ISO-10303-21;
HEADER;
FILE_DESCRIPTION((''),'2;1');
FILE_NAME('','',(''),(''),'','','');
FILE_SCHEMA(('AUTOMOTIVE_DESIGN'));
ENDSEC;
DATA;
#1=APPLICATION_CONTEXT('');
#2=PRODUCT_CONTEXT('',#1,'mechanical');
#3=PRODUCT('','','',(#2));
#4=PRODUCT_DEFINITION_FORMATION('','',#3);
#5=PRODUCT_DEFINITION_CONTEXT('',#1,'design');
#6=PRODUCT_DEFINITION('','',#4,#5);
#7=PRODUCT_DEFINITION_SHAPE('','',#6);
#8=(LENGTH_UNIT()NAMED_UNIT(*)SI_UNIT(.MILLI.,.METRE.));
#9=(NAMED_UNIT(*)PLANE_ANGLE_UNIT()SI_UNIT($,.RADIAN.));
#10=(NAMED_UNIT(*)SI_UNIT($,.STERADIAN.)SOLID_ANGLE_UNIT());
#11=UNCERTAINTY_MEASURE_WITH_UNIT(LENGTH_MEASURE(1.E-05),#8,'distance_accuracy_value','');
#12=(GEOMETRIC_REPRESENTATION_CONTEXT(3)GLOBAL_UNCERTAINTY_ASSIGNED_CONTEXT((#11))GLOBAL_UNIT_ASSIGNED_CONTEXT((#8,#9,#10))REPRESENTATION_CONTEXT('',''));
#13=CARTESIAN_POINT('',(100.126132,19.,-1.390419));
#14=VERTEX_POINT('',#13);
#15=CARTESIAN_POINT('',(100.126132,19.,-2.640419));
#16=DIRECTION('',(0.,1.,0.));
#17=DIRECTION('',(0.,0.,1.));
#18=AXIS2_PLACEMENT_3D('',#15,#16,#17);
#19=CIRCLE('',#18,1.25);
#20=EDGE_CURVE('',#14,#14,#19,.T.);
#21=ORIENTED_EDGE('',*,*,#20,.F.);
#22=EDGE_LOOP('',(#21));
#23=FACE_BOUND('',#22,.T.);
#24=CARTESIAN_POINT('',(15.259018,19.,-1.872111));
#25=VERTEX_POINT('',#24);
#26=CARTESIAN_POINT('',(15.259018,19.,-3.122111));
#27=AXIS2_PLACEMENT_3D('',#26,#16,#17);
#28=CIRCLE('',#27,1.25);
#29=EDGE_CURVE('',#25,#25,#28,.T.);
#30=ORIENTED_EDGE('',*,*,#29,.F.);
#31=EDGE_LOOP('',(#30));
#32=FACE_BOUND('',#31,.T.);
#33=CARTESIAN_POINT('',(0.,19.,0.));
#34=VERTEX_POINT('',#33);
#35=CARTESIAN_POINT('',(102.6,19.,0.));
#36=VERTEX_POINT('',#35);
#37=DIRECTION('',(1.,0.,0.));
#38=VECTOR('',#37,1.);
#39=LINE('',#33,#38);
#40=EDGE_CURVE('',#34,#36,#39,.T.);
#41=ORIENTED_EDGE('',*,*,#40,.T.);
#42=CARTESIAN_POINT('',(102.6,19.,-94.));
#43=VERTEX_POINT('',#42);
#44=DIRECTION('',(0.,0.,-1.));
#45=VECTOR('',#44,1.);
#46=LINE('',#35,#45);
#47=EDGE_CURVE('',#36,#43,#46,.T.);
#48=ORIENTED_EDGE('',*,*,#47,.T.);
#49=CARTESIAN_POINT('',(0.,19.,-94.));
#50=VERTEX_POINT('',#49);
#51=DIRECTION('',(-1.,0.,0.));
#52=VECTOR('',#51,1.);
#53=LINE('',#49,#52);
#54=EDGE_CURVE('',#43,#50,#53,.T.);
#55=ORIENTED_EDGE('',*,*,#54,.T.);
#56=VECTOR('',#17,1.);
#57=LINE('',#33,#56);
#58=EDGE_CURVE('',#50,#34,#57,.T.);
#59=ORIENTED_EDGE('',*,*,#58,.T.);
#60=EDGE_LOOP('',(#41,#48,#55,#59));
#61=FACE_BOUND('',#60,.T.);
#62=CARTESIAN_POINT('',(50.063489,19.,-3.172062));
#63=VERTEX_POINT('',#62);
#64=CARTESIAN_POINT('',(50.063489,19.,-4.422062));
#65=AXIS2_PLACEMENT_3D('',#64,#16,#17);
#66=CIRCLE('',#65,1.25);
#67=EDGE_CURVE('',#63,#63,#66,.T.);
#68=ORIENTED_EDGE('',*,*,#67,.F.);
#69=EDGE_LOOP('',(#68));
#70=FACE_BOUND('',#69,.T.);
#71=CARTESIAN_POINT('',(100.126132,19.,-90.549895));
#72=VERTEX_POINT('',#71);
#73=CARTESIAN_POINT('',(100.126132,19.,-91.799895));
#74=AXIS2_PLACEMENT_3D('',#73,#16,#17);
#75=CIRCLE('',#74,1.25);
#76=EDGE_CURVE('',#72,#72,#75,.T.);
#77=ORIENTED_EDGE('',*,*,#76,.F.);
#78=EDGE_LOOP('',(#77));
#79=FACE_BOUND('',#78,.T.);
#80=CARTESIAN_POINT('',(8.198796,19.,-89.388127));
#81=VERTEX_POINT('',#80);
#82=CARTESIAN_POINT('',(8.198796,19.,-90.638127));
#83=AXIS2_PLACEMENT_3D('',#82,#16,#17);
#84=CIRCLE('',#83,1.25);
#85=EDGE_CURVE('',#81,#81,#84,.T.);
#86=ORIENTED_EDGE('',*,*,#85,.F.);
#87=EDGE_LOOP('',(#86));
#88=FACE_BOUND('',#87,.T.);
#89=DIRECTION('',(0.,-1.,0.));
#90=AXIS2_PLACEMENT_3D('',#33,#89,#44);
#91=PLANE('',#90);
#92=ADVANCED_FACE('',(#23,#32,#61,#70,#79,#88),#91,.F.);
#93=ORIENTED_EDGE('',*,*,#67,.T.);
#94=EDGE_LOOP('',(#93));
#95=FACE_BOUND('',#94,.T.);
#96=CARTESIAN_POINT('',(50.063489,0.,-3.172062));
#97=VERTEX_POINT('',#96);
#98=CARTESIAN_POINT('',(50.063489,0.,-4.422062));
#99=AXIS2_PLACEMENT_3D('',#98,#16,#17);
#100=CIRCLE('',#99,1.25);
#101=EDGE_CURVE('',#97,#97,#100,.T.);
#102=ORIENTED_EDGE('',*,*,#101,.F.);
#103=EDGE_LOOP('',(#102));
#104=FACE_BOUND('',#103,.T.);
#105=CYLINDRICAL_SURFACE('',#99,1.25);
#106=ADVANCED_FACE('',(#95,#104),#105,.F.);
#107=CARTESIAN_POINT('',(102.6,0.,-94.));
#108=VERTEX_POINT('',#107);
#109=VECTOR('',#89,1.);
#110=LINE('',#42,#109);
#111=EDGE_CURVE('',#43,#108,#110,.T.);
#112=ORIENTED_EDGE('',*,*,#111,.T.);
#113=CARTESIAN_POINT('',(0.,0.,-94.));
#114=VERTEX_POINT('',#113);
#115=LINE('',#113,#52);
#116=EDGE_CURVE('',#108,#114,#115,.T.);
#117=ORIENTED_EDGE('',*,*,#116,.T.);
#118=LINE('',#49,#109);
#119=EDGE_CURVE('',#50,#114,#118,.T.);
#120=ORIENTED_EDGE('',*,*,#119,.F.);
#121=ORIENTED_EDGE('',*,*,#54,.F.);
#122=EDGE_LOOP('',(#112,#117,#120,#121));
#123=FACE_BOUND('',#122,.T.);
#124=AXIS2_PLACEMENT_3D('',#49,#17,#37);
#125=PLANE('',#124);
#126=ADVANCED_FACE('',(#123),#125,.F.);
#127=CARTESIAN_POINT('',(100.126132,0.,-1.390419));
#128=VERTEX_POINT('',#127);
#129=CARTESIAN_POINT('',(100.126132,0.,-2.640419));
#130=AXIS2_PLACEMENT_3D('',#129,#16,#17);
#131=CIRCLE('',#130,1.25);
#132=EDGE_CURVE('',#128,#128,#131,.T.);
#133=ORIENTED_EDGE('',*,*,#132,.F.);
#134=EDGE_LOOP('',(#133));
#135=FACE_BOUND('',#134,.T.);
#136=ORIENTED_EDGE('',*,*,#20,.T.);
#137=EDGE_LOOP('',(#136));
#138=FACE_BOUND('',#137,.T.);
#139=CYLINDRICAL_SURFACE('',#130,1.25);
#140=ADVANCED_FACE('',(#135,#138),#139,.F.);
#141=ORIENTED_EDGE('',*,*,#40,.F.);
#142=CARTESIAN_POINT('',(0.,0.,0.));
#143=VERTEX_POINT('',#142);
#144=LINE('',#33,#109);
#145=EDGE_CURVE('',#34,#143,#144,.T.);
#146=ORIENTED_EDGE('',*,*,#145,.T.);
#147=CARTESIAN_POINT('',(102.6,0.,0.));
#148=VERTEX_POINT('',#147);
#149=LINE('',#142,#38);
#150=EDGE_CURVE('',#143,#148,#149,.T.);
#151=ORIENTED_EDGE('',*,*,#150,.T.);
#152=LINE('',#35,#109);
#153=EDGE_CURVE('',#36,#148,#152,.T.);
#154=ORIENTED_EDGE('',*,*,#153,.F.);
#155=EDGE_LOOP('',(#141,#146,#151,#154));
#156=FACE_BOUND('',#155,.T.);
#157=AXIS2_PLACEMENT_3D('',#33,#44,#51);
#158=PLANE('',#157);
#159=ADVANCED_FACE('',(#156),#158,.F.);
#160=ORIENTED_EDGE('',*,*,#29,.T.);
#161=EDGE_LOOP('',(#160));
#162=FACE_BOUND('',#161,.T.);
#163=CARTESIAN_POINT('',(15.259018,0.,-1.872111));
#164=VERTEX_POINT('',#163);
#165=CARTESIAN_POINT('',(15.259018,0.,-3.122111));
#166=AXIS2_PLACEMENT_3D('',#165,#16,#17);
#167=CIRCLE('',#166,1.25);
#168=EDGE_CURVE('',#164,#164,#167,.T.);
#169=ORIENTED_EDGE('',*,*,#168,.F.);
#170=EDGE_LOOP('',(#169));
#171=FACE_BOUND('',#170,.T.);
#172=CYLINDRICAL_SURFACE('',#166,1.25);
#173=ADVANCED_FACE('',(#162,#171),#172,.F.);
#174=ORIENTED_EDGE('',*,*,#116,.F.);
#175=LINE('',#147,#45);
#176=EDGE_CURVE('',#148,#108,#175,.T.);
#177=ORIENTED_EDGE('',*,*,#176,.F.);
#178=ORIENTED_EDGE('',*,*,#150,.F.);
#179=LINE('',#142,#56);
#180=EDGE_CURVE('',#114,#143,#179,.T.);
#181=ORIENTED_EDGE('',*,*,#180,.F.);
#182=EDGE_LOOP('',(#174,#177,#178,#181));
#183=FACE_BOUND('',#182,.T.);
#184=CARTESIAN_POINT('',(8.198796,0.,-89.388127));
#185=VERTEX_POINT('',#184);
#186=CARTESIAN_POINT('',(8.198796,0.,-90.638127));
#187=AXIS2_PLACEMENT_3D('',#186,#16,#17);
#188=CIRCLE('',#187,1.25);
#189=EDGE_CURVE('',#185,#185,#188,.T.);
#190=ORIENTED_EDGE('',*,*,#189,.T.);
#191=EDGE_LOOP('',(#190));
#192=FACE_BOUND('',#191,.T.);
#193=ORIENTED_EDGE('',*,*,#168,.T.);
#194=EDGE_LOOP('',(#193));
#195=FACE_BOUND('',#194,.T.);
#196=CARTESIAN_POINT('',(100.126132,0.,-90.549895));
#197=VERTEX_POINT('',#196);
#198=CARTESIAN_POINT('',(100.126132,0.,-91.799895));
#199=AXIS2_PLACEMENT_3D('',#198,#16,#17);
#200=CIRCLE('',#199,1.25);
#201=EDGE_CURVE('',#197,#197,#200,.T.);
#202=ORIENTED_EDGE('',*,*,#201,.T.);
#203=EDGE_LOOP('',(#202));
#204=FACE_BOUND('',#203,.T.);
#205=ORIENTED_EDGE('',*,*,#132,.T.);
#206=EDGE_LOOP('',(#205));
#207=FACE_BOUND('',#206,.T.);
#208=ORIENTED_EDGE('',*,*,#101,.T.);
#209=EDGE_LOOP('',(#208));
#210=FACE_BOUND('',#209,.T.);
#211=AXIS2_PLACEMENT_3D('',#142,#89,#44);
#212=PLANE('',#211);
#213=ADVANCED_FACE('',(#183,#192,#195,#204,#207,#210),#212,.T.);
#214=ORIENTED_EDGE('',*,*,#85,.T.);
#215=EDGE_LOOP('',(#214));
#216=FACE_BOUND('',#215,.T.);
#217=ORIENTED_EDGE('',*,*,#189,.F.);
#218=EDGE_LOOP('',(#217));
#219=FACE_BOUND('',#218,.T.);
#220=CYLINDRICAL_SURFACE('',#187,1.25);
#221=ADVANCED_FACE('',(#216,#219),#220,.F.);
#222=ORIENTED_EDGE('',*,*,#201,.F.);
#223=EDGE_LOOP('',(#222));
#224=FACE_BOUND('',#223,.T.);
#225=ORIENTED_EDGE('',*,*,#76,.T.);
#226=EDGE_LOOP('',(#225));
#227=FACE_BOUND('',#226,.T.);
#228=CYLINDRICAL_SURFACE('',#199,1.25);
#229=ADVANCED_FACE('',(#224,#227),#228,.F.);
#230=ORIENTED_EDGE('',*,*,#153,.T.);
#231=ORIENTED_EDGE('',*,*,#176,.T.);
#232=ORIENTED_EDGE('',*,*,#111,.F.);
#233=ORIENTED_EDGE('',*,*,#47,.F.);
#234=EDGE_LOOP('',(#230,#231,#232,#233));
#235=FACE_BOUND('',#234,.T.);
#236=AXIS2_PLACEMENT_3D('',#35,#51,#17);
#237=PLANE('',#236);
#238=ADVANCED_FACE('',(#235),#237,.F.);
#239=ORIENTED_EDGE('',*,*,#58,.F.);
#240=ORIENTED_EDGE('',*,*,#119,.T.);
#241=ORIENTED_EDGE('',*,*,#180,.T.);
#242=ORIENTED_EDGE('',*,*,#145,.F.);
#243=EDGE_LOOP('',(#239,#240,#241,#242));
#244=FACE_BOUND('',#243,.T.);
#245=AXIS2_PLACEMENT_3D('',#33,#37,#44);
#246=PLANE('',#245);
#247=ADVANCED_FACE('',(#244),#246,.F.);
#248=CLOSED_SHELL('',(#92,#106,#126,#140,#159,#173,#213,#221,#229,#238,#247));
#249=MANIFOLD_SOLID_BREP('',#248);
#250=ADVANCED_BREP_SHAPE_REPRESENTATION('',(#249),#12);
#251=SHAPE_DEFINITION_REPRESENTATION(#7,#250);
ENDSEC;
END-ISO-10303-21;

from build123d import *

# Parameters (mm, degrees)
ESQUISSE1_W             = 102.6
ESQUISSE1_H             = 94
BOSS_EXTRU_1_DEPTH      = 19
ESQUISSE2_R             = 1.25
ENL_V_MAT_EXTRU_1_DEPTH = 141.441304466


with BuildPart() as part:
    # Esquisse1 → Boss.-Extru.1 (new body)
    with BuildSketch(Plane(origin=(0, 0, 0), x_dir=(1, 0, 0), z_dir=(0, 1, 0))):
        with Locations((51.3, 47)):
            Rectangle(ESQUISSE1_W, ESQUISSE1_H)
    extrude(amount=BOSS_EXTRU_1_DEPTH)

    # Esquisse2 → Enlèv. mat.-Extru.1 (cut, through all)
    with BuildSketch(Plane(origin=(0, 19, 0), x_dir=(1, 0, 0), z_dir=(0, 1, 0))):
        with Locations(Location((8.19879565, 90.638127074, 0), (0, 0, 270))):
            Circle(ESQUISSE2_R)
        with Locations(Location((100.126132376, 91.799894843, 0), (0, 0, 270))):
            Circle(ESQUISSE2_R)
        with Locations(Location((100.126132376, 2.640418581, 0), (0, 0, 270))):
            Circle(ESQUISSE2_R)
        with Locations(Location((50.06348936, 4.422062011, 0), (0, 0, 270))):
            Circle(ESQUISSE2_R)
        with Locations(Location((15.259017819, 3.122110717, 0), (0, 0, 270))):
            Circle(ESQUISSE2_R)
    extrude(amount=-ENL_V_MAT_EXTRU_1_DEPTH, mode=Mode.SUBTRACT)


solid = part.part
